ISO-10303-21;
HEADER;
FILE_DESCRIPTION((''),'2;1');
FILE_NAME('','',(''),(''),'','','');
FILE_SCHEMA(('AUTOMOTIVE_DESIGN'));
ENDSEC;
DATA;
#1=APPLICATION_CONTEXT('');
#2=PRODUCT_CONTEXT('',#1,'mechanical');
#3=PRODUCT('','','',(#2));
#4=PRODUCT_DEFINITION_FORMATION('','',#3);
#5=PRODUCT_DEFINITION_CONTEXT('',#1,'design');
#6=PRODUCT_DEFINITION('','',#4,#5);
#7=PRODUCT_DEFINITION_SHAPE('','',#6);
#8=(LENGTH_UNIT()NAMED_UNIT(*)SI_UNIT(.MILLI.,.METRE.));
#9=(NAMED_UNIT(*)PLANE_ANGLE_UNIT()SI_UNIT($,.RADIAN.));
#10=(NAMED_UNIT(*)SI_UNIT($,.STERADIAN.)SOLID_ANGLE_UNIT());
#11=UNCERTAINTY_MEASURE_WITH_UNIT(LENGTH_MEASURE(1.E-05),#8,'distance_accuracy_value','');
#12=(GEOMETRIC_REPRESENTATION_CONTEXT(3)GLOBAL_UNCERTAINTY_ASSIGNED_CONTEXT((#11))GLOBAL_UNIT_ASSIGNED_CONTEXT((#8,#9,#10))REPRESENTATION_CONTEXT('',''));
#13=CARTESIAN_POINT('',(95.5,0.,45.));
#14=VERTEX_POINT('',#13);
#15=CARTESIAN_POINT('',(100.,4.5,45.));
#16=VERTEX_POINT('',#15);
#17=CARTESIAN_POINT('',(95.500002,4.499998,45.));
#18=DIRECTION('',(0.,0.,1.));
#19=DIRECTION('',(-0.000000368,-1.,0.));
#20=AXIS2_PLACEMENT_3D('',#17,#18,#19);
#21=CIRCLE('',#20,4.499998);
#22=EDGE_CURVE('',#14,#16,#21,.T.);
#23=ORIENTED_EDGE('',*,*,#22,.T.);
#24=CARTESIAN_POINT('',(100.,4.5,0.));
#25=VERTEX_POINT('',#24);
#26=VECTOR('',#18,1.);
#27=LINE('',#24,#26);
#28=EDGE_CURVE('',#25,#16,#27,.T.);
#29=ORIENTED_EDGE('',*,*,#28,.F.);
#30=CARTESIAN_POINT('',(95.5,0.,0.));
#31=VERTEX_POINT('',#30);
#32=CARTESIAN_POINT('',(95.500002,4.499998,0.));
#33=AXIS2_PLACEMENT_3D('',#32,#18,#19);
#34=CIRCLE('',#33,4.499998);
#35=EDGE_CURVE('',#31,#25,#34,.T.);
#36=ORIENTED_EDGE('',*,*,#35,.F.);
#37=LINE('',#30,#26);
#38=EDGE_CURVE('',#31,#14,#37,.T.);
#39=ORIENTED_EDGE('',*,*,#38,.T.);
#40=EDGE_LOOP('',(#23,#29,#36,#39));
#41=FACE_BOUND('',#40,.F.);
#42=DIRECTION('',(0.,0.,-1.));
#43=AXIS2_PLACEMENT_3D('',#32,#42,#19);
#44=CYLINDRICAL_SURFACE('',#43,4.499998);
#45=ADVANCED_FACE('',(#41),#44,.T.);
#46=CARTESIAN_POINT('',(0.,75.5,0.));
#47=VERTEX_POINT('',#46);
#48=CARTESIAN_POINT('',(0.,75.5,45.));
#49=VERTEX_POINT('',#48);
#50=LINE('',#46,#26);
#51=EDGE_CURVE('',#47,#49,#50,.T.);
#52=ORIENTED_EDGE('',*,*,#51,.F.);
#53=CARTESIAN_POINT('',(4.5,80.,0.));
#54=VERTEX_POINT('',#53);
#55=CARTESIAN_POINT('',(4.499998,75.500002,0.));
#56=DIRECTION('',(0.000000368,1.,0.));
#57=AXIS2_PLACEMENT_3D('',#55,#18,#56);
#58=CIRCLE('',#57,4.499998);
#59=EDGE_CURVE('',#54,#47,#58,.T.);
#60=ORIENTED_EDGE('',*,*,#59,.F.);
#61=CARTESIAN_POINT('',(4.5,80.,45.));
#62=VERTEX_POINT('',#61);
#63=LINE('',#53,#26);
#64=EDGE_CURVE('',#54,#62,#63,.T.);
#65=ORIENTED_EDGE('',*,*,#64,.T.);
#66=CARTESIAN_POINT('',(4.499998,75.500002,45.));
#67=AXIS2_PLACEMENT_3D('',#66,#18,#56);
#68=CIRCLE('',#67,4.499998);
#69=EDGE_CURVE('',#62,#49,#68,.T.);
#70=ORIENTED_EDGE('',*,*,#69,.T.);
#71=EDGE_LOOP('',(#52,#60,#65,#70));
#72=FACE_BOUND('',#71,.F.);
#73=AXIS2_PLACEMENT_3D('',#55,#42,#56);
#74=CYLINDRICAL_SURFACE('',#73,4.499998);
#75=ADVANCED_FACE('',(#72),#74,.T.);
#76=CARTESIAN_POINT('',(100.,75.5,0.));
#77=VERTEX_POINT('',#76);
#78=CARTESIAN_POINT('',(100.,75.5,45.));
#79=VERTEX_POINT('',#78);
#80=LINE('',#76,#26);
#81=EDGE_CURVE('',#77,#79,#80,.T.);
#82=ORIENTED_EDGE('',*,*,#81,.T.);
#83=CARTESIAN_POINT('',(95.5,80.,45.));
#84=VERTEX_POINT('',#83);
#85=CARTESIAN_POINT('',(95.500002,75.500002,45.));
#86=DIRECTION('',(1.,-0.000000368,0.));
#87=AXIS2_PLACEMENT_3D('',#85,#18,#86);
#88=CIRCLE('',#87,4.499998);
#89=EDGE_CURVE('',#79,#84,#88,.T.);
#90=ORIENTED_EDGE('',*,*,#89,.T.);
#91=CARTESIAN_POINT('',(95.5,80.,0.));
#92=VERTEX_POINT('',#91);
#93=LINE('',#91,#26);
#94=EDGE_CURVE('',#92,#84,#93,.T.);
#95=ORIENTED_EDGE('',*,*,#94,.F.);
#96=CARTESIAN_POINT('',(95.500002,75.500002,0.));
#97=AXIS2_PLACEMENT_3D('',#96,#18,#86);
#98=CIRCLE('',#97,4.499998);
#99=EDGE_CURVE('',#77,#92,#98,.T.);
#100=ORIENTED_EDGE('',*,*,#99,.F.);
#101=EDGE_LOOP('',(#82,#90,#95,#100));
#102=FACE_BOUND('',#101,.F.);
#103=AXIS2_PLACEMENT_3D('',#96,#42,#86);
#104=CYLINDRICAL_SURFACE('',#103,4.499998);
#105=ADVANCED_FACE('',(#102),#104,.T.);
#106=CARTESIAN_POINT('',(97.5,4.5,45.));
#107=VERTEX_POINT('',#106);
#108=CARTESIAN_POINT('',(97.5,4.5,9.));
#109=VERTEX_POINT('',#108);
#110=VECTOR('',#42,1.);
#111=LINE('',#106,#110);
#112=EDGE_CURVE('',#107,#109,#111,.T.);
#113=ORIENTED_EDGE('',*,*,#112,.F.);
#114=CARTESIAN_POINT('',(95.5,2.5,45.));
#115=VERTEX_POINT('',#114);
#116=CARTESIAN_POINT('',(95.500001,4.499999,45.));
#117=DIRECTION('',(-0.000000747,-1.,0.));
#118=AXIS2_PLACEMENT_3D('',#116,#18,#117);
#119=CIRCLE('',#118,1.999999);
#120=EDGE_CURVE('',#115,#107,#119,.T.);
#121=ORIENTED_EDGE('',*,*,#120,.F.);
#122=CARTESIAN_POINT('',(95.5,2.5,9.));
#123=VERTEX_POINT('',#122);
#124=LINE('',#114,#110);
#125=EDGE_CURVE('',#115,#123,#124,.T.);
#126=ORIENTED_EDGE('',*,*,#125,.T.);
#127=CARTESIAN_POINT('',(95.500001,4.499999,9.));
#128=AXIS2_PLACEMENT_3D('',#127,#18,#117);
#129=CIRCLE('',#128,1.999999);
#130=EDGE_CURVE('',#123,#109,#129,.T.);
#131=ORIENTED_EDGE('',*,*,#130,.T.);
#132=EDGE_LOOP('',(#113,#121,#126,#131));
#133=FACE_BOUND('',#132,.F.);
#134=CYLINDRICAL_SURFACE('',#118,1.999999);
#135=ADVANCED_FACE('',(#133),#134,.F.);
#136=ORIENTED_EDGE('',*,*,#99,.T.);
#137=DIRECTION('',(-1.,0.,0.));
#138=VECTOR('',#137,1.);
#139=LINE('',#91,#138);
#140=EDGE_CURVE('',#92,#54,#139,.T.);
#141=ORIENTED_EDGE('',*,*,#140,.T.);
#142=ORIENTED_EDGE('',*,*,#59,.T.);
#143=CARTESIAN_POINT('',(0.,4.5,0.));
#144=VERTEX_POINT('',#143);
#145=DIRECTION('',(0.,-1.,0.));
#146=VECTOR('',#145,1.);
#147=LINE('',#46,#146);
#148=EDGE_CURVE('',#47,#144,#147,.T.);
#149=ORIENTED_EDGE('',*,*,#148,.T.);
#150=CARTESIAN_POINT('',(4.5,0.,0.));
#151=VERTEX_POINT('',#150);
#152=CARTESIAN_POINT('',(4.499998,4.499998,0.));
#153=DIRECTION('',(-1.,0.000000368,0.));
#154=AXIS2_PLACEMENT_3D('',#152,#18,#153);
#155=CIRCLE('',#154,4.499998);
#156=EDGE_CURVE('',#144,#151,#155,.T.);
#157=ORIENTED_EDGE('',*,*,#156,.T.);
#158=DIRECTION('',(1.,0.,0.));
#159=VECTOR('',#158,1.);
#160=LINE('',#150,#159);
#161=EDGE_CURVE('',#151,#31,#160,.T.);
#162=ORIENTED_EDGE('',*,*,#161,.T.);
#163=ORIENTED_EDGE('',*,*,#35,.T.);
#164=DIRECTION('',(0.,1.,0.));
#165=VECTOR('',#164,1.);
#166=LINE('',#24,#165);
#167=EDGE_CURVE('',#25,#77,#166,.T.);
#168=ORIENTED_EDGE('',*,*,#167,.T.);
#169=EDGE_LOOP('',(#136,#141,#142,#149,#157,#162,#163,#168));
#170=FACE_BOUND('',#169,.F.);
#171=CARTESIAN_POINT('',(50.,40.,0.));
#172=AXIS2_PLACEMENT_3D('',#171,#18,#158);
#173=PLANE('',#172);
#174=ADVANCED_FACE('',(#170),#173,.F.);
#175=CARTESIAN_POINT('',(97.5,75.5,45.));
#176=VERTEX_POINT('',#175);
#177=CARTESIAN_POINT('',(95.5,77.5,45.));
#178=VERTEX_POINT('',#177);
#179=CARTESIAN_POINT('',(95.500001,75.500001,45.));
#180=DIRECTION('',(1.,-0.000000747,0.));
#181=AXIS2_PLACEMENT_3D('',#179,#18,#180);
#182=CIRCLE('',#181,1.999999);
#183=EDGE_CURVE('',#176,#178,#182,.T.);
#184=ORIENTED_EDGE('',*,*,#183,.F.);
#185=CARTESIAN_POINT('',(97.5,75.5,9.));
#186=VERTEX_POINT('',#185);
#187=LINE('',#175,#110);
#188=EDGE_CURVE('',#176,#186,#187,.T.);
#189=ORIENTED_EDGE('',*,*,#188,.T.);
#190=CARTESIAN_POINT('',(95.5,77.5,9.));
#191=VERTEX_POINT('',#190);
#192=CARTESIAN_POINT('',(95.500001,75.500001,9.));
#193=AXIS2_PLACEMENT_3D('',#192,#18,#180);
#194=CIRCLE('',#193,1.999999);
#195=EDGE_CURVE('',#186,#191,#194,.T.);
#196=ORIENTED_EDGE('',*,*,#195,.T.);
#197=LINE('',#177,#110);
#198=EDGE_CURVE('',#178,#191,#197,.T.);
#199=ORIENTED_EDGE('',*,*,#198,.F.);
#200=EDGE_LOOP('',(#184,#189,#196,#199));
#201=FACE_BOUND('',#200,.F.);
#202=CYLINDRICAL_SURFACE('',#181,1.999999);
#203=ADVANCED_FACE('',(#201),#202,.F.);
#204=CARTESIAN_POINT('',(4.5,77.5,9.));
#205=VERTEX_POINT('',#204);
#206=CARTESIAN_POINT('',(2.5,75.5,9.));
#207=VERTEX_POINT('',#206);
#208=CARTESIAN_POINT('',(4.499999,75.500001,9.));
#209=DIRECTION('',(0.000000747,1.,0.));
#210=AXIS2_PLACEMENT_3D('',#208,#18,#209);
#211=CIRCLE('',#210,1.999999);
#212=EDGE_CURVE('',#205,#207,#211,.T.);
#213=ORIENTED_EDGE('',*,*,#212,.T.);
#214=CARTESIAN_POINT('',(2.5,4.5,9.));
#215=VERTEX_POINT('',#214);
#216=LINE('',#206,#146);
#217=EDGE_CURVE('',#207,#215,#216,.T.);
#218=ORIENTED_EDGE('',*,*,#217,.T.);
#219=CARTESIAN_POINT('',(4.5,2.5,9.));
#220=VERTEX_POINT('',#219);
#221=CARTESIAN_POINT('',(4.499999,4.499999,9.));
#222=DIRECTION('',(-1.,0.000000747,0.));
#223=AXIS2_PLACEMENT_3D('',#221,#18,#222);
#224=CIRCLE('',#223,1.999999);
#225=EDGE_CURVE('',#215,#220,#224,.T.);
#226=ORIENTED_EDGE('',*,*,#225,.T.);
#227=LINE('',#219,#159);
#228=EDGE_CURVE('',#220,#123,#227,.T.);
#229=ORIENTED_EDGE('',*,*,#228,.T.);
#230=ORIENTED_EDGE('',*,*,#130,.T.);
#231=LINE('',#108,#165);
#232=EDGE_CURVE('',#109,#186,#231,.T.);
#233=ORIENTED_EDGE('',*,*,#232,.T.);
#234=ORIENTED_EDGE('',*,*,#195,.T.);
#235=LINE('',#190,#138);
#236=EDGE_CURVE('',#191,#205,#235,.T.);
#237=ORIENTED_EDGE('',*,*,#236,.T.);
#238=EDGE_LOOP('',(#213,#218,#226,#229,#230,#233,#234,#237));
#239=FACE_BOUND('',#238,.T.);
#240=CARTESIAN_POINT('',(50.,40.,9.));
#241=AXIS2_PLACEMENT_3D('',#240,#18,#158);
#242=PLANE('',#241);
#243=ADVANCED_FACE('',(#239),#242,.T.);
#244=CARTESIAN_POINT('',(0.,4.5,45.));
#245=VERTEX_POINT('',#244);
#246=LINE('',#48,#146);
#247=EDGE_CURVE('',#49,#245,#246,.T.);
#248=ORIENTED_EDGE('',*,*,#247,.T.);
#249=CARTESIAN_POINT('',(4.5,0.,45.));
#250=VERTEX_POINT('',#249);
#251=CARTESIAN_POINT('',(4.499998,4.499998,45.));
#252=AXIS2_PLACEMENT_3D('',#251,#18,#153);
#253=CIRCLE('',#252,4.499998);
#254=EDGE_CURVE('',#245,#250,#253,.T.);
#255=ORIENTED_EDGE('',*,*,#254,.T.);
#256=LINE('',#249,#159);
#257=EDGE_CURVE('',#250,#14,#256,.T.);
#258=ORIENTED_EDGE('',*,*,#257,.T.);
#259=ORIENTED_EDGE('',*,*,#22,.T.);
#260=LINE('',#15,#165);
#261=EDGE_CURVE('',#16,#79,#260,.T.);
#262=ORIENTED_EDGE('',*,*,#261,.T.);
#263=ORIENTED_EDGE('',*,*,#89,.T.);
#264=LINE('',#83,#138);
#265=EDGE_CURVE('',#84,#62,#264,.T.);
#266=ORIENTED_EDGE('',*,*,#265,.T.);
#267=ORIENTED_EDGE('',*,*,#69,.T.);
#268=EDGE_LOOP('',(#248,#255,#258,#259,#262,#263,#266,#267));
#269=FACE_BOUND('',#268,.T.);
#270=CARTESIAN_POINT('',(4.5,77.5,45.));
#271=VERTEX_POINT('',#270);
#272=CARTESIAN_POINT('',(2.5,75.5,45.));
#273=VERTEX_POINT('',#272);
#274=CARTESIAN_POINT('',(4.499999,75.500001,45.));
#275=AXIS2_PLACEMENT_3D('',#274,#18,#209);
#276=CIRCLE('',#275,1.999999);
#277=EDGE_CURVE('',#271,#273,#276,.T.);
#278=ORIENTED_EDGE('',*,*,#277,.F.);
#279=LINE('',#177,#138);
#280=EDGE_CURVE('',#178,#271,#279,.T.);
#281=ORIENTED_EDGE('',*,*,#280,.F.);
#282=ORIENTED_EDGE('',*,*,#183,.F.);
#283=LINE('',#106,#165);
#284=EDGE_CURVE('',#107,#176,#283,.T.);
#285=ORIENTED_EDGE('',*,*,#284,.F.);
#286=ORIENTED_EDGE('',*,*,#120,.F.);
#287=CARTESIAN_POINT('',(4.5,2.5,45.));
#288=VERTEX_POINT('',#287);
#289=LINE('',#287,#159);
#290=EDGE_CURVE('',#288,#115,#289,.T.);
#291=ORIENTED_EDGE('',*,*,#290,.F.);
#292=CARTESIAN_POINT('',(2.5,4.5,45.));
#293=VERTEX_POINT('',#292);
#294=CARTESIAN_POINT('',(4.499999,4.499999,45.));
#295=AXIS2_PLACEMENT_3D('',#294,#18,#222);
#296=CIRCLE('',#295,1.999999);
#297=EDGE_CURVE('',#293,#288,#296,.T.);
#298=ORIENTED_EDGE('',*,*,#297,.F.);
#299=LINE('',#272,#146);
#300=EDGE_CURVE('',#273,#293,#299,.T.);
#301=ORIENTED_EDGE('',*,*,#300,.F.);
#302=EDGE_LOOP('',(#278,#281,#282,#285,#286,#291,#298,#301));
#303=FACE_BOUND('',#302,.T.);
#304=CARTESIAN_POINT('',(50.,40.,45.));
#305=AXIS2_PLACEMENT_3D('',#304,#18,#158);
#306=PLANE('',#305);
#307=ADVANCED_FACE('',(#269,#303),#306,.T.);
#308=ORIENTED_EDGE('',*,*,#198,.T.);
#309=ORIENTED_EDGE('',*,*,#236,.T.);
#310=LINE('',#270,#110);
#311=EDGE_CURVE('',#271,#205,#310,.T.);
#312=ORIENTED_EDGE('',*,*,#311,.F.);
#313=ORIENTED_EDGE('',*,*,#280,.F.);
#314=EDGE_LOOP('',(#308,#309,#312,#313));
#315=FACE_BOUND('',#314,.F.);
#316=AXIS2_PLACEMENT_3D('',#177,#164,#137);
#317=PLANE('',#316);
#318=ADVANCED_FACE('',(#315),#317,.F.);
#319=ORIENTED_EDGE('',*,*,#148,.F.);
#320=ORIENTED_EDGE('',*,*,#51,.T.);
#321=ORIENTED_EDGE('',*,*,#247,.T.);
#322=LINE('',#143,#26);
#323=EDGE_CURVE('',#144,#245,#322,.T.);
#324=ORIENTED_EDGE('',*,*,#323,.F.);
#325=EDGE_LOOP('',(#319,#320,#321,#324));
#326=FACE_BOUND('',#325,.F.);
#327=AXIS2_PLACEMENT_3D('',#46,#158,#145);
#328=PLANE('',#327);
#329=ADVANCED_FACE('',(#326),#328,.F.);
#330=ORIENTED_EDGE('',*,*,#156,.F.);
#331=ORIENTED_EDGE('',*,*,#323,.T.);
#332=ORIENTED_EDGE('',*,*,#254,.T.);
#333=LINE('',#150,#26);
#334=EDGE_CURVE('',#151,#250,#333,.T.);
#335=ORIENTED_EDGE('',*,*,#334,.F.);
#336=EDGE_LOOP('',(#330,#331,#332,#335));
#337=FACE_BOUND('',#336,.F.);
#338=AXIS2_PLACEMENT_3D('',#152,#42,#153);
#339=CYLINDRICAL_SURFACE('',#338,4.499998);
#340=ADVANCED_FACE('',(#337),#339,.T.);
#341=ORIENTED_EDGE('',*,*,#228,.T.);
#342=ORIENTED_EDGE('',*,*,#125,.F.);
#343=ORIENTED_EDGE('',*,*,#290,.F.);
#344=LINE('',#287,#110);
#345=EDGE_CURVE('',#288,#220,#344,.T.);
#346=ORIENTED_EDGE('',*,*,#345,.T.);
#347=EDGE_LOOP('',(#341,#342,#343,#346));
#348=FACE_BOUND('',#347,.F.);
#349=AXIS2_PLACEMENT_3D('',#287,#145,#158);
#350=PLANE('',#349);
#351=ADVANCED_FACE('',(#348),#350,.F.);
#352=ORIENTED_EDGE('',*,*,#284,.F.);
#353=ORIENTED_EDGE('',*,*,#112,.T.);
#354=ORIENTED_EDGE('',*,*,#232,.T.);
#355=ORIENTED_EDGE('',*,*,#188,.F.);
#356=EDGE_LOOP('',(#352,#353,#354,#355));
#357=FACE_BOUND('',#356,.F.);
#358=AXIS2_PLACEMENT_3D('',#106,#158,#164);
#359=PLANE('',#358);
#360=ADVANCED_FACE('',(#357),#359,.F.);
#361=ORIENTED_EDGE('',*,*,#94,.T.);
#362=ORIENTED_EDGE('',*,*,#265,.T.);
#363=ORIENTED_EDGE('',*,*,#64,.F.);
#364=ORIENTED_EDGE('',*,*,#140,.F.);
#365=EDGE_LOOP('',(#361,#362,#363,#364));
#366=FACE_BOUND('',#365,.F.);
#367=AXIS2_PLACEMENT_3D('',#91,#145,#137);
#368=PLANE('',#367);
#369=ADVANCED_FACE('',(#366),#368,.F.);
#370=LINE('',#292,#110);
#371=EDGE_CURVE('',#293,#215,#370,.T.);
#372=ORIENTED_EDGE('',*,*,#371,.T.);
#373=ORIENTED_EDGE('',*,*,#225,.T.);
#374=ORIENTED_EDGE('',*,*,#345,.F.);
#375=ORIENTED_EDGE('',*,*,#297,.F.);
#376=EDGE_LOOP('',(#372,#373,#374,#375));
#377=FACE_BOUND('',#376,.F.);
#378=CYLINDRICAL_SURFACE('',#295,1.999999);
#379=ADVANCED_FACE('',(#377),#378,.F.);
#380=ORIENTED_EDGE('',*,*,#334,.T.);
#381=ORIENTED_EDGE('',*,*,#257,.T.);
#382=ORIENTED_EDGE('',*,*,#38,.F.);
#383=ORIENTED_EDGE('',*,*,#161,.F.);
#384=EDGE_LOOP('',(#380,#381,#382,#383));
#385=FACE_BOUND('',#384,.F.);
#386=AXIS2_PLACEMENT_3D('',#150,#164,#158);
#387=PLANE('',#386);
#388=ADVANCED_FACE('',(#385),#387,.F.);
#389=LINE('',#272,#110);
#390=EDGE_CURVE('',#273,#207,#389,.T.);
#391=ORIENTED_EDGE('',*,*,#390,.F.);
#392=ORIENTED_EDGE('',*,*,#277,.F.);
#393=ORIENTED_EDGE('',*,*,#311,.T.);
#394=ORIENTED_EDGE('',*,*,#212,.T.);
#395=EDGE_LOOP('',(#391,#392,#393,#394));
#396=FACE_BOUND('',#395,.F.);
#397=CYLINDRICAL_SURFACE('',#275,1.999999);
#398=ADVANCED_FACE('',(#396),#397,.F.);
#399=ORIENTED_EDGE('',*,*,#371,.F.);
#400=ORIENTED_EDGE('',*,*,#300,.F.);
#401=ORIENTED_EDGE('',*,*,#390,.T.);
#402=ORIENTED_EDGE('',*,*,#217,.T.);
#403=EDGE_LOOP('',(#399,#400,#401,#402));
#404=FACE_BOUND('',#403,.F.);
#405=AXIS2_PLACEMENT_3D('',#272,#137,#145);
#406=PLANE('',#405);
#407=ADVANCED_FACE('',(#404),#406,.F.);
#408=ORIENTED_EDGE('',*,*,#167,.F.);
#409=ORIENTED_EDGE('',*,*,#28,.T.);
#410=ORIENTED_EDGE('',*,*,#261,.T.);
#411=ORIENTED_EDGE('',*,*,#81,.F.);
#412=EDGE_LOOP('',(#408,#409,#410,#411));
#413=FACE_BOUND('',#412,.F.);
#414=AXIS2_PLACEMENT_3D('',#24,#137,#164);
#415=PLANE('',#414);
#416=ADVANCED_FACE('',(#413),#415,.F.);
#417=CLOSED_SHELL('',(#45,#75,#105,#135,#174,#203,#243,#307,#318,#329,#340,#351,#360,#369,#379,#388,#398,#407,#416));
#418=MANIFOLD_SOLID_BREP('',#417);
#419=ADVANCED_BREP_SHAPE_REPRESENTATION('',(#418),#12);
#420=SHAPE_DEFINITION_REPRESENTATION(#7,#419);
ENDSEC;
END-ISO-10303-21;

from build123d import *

# Parameters (mm, degrees)
PAD_DEPTH    = 45
POCKET_DEPTH = 36


with BuildPart() as part:
    # Sketch → Pad (new body)
    with BuildSketch(Plane.XY):
        with BuildLine():
            Line((4.5, 0), (95.5, 0))
            ThreePointArc((95.5, 0), (98.681981, 1.318019), (100, 4.5))
            Line((100, 4.5), (100, 75.5))
            ThreePointArc((100, 75.5), (98.681981, 78.681981), (95.5, 80))
            Line((95.5, 80), (4.5, 80))
            ThreePointArc((4.5, 80), (1.318019, 78.681981), (0, 75.5))
            Line((0, 75.5), (0, 4.5))
            ThreePointArc((0, 4.5), (1.318019, 1.318019), (4.5, 0))
        make_face()
    extrude(amount=PAD_DEPTH)

    # Sketch001 (on Face10 of Pad) → Pocket (cut)
    with BuildSketch(Plane.XY.offset(45)):
        with BuildLine():
            Line((2.5, 75.5), (2.5, 4.5))
            ThreePointArc((2.5, 4.5), (3.085786, 3.085786), (4.5, 2.5))
            Line((4.5, 2.5), (95.5, 2.5))
            ThreePointArc((95.5, 2.5), (96.914214, 3.085786), (97.5, 4.5))
            Line((97.5, 4.5), (97.5, 75.5))
            ThreePointArc((97.5, 75.5), (96.914214, 76.914214), (95.5, 77.5))
            Line((95.5, 77.5), (4.5, 77.5))
            ThreePointArc((4.5, 77.5), (3.085786, 76.914214), (2.5, 75.5))
        make_face()
    extrude(amount=-POCKET_DEPTH, mode=Mode.SUBTRACT)


solid = part.part
